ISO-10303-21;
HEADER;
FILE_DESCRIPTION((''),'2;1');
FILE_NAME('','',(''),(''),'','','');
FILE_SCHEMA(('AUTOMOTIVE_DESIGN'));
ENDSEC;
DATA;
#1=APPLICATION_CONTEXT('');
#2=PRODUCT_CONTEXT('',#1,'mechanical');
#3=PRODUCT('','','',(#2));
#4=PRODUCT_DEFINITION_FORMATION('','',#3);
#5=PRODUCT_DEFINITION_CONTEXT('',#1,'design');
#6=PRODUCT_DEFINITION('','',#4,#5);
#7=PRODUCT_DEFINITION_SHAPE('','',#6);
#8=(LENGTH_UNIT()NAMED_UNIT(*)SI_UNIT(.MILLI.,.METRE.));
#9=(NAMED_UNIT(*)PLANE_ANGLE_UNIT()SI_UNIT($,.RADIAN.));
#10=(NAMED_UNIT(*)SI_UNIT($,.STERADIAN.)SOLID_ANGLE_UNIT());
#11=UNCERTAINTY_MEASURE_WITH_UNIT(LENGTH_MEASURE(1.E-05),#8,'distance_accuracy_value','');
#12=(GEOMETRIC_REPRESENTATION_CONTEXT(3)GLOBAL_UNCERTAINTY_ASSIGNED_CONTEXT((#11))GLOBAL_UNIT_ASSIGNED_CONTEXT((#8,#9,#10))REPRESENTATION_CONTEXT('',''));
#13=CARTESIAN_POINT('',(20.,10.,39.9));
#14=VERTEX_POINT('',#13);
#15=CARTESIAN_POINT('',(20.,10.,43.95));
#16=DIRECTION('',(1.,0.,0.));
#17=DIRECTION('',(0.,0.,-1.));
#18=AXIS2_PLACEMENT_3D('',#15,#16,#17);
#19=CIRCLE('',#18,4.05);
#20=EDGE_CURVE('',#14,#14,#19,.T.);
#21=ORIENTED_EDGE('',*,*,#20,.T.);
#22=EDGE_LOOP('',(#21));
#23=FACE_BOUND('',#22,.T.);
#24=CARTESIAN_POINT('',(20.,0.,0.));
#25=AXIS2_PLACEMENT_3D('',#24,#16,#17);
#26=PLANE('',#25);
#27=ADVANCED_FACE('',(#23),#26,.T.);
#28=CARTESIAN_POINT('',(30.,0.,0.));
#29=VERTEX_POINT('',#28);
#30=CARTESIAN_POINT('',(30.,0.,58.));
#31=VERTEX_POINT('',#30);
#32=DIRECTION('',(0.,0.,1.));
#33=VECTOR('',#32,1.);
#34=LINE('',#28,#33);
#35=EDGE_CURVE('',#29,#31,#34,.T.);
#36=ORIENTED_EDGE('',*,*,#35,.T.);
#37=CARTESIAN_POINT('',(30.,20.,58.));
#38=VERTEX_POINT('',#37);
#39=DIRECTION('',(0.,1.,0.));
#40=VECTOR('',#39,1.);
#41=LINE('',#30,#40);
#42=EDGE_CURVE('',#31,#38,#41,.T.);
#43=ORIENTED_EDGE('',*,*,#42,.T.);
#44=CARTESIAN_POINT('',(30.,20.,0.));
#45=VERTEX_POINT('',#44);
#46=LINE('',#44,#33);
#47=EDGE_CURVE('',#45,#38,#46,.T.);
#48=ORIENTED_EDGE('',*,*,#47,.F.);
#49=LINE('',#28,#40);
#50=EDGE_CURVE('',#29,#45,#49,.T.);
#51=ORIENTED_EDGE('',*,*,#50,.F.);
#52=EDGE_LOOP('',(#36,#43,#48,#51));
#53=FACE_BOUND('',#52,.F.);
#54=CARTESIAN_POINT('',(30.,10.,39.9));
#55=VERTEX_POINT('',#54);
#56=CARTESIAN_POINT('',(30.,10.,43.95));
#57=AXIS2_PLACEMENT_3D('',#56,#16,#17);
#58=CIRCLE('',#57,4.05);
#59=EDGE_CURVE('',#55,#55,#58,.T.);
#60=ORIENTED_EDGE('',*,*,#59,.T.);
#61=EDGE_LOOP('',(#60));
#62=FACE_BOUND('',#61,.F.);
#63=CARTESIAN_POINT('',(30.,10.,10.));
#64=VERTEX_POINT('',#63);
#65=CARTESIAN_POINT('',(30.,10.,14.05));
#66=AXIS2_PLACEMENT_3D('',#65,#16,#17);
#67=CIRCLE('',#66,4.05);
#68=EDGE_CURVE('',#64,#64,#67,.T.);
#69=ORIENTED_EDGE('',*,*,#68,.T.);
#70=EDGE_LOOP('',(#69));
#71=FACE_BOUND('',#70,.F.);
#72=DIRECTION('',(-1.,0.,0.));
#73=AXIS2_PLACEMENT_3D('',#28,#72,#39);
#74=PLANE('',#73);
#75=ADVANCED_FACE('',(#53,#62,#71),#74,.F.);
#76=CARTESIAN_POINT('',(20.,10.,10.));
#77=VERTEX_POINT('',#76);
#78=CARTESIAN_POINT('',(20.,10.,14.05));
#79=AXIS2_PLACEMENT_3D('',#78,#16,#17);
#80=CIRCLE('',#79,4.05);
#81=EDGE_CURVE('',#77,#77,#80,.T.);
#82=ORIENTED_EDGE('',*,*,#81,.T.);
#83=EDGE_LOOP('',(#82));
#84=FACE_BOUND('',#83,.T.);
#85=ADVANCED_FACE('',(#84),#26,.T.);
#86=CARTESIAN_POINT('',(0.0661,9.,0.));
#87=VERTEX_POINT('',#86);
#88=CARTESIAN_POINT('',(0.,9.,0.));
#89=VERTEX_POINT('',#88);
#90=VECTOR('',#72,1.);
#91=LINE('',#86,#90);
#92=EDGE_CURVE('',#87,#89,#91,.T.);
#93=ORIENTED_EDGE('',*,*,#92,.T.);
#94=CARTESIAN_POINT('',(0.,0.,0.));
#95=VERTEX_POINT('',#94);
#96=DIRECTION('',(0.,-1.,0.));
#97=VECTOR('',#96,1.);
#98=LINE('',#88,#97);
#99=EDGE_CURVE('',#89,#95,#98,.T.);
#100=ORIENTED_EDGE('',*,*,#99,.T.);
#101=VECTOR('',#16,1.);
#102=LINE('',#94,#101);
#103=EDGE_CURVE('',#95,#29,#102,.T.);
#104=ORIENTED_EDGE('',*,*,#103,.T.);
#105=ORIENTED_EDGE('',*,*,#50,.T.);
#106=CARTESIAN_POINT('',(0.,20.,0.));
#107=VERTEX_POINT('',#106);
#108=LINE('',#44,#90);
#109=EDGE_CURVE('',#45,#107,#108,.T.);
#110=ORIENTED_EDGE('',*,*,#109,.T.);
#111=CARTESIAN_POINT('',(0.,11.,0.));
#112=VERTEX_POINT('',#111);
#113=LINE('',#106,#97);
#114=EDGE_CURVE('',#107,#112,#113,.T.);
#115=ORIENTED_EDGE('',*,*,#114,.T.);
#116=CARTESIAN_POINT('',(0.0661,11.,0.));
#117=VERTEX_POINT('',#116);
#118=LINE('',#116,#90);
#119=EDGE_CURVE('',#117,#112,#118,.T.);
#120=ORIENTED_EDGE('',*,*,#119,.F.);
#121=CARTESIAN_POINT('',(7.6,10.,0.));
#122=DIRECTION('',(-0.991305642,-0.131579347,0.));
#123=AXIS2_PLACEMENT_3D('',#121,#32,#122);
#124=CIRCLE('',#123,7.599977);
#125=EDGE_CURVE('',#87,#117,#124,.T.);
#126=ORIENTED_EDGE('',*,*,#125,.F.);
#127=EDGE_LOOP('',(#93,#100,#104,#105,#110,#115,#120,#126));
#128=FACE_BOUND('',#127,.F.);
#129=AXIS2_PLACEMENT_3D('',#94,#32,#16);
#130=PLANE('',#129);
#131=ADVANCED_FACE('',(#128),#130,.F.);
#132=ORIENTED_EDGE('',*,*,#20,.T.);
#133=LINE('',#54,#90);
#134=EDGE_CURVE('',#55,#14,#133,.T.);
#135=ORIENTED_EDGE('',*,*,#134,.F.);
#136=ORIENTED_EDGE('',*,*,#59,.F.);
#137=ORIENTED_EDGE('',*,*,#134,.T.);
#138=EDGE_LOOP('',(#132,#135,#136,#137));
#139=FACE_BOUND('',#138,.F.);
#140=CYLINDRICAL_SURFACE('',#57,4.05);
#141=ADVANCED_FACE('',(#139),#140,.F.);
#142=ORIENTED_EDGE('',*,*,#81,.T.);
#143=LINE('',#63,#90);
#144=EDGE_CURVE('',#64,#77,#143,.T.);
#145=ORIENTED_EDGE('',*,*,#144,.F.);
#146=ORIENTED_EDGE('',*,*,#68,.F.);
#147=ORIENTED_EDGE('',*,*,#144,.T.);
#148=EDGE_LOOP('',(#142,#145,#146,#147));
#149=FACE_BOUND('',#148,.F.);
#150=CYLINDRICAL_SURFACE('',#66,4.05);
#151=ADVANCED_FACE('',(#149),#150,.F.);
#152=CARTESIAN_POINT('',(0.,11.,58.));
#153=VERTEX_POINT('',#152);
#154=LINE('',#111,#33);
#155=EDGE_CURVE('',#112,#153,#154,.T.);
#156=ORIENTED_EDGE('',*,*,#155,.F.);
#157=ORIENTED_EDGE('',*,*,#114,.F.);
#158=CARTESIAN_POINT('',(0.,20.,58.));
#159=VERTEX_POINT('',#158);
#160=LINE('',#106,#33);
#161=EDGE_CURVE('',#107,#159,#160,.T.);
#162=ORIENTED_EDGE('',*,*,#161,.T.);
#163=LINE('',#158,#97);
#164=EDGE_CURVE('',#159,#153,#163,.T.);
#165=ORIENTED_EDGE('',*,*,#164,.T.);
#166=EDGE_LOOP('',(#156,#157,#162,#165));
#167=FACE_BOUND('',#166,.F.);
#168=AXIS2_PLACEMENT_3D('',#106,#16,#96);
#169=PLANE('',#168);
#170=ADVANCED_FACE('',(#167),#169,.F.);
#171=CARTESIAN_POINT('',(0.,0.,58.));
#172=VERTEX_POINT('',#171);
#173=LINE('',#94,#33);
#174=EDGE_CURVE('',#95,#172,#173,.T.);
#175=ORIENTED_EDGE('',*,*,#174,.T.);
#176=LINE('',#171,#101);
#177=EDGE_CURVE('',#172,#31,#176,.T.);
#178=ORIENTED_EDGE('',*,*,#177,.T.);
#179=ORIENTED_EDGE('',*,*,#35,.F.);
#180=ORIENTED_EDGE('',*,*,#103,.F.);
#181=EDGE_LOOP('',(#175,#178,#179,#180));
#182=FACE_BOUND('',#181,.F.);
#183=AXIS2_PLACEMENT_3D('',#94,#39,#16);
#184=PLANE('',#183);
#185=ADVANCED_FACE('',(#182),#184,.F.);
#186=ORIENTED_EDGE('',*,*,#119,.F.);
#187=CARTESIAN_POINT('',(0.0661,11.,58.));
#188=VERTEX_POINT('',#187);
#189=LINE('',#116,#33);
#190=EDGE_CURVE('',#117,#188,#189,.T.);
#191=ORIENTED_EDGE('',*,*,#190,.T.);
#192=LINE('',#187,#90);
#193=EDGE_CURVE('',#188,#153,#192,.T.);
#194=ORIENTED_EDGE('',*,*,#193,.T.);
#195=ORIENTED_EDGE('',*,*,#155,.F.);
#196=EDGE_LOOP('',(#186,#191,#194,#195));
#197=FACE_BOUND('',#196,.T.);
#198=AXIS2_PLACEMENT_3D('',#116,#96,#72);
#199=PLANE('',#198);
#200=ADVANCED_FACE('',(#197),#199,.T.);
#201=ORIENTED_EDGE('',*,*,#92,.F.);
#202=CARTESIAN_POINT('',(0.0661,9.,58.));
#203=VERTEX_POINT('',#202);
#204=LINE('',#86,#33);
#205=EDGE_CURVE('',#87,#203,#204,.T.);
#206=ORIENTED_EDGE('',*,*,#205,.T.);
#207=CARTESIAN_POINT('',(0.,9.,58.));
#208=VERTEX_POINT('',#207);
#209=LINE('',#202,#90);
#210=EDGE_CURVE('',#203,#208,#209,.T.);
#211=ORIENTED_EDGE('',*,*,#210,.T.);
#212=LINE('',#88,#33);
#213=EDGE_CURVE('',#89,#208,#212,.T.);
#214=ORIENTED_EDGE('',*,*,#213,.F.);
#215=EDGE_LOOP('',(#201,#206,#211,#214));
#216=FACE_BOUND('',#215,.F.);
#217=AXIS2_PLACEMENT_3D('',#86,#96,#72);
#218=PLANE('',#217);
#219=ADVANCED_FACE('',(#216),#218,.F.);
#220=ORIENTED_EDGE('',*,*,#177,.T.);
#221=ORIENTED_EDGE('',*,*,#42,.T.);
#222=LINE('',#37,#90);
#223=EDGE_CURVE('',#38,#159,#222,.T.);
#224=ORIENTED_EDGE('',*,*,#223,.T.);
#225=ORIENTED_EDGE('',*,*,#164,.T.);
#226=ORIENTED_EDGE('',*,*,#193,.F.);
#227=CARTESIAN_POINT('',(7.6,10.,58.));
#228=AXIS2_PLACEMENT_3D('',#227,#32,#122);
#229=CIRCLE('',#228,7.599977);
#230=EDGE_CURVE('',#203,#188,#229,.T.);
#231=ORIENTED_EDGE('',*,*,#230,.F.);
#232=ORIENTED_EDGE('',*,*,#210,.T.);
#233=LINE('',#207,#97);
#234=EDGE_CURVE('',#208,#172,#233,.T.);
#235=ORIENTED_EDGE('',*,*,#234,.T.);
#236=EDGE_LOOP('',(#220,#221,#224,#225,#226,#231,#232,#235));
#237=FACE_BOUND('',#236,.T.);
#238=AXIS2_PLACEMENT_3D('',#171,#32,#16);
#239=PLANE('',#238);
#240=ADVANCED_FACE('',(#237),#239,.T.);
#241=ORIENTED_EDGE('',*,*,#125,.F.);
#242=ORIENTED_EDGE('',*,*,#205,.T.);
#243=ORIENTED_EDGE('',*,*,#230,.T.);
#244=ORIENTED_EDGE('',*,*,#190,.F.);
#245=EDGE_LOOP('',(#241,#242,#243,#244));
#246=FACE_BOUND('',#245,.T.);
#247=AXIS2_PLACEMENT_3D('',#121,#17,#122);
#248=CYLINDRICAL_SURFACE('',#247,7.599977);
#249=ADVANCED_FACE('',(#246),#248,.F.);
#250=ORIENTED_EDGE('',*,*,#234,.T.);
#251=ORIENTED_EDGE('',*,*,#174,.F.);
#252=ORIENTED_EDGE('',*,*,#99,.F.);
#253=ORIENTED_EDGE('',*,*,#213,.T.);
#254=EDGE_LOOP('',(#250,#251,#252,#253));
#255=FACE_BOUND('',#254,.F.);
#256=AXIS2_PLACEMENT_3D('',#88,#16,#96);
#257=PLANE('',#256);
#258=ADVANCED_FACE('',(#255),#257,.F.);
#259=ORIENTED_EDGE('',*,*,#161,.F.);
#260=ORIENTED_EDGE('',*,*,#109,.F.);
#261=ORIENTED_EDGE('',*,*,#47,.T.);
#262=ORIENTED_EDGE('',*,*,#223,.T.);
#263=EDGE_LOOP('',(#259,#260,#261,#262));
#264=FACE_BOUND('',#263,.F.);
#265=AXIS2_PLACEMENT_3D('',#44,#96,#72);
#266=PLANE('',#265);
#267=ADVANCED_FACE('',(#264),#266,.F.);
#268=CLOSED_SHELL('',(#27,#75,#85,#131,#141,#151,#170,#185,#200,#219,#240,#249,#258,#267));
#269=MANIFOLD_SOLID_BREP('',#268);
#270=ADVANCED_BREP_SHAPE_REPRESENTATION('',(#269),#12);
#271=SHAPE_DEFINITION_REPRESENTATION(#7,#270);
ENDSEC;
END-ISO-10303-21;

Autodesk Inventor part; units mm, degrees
ref_plane "YZ Plane" through (0, 0, 0) normal (1, 0, 0) x (0, 1, 0)
ref_plane "XZ Plane" through (0, 0, 0) normal (0, 1, 0) x (-1, 0, 0)
ref_plane "XY Plane" through (0, 0, 0) normal (0, 0, 1) x (1, 0, 0)
sketch "Эскиз1" plane through (0, 0, 0) normal (0, 0, 1) x (1, 0, 0)
  line L0 (0, 0) -> (30, 0)
  line L1 (30, 0) -> (30, 20)
  line L2 (30, 20) -> (0, 20)
  arc A0 (0.0661, 9) -> (0.0661, 11) centre (7.6, 10) ccw
  line L3 (0.0661, 11) -> (0, 11)
  line L4 (0.0661, 9) -> (0, 9)
  line L5 (0, 20) -> (0, 11)
  line L6 (0, 9) -> (0, 0)
  dimension "d0" = 30
  dimension "d1" = 20
extrude "Выдавливание1" add sketch "Эскиз1" along normal blind 58
sketch "Эскиз2" plane through (30, 0, 0) normal (1, 0, 0) x (0, 0, -1)
  circle A0 centre (-14.05, 10) radius 4.05
  line L0 (0, 20) -> (-58, 20) projected
  line L1 (-29, 20) -> (-29, 0)
  circle A1 centre (-43.95, 10) radius 4.05
  point P0 (0, 0)
  dimension "d4" = 8.1
extrude "Выдавливание2" cut sketch "Эскиз2" against normal blind 10
properties part number "x_holder"
